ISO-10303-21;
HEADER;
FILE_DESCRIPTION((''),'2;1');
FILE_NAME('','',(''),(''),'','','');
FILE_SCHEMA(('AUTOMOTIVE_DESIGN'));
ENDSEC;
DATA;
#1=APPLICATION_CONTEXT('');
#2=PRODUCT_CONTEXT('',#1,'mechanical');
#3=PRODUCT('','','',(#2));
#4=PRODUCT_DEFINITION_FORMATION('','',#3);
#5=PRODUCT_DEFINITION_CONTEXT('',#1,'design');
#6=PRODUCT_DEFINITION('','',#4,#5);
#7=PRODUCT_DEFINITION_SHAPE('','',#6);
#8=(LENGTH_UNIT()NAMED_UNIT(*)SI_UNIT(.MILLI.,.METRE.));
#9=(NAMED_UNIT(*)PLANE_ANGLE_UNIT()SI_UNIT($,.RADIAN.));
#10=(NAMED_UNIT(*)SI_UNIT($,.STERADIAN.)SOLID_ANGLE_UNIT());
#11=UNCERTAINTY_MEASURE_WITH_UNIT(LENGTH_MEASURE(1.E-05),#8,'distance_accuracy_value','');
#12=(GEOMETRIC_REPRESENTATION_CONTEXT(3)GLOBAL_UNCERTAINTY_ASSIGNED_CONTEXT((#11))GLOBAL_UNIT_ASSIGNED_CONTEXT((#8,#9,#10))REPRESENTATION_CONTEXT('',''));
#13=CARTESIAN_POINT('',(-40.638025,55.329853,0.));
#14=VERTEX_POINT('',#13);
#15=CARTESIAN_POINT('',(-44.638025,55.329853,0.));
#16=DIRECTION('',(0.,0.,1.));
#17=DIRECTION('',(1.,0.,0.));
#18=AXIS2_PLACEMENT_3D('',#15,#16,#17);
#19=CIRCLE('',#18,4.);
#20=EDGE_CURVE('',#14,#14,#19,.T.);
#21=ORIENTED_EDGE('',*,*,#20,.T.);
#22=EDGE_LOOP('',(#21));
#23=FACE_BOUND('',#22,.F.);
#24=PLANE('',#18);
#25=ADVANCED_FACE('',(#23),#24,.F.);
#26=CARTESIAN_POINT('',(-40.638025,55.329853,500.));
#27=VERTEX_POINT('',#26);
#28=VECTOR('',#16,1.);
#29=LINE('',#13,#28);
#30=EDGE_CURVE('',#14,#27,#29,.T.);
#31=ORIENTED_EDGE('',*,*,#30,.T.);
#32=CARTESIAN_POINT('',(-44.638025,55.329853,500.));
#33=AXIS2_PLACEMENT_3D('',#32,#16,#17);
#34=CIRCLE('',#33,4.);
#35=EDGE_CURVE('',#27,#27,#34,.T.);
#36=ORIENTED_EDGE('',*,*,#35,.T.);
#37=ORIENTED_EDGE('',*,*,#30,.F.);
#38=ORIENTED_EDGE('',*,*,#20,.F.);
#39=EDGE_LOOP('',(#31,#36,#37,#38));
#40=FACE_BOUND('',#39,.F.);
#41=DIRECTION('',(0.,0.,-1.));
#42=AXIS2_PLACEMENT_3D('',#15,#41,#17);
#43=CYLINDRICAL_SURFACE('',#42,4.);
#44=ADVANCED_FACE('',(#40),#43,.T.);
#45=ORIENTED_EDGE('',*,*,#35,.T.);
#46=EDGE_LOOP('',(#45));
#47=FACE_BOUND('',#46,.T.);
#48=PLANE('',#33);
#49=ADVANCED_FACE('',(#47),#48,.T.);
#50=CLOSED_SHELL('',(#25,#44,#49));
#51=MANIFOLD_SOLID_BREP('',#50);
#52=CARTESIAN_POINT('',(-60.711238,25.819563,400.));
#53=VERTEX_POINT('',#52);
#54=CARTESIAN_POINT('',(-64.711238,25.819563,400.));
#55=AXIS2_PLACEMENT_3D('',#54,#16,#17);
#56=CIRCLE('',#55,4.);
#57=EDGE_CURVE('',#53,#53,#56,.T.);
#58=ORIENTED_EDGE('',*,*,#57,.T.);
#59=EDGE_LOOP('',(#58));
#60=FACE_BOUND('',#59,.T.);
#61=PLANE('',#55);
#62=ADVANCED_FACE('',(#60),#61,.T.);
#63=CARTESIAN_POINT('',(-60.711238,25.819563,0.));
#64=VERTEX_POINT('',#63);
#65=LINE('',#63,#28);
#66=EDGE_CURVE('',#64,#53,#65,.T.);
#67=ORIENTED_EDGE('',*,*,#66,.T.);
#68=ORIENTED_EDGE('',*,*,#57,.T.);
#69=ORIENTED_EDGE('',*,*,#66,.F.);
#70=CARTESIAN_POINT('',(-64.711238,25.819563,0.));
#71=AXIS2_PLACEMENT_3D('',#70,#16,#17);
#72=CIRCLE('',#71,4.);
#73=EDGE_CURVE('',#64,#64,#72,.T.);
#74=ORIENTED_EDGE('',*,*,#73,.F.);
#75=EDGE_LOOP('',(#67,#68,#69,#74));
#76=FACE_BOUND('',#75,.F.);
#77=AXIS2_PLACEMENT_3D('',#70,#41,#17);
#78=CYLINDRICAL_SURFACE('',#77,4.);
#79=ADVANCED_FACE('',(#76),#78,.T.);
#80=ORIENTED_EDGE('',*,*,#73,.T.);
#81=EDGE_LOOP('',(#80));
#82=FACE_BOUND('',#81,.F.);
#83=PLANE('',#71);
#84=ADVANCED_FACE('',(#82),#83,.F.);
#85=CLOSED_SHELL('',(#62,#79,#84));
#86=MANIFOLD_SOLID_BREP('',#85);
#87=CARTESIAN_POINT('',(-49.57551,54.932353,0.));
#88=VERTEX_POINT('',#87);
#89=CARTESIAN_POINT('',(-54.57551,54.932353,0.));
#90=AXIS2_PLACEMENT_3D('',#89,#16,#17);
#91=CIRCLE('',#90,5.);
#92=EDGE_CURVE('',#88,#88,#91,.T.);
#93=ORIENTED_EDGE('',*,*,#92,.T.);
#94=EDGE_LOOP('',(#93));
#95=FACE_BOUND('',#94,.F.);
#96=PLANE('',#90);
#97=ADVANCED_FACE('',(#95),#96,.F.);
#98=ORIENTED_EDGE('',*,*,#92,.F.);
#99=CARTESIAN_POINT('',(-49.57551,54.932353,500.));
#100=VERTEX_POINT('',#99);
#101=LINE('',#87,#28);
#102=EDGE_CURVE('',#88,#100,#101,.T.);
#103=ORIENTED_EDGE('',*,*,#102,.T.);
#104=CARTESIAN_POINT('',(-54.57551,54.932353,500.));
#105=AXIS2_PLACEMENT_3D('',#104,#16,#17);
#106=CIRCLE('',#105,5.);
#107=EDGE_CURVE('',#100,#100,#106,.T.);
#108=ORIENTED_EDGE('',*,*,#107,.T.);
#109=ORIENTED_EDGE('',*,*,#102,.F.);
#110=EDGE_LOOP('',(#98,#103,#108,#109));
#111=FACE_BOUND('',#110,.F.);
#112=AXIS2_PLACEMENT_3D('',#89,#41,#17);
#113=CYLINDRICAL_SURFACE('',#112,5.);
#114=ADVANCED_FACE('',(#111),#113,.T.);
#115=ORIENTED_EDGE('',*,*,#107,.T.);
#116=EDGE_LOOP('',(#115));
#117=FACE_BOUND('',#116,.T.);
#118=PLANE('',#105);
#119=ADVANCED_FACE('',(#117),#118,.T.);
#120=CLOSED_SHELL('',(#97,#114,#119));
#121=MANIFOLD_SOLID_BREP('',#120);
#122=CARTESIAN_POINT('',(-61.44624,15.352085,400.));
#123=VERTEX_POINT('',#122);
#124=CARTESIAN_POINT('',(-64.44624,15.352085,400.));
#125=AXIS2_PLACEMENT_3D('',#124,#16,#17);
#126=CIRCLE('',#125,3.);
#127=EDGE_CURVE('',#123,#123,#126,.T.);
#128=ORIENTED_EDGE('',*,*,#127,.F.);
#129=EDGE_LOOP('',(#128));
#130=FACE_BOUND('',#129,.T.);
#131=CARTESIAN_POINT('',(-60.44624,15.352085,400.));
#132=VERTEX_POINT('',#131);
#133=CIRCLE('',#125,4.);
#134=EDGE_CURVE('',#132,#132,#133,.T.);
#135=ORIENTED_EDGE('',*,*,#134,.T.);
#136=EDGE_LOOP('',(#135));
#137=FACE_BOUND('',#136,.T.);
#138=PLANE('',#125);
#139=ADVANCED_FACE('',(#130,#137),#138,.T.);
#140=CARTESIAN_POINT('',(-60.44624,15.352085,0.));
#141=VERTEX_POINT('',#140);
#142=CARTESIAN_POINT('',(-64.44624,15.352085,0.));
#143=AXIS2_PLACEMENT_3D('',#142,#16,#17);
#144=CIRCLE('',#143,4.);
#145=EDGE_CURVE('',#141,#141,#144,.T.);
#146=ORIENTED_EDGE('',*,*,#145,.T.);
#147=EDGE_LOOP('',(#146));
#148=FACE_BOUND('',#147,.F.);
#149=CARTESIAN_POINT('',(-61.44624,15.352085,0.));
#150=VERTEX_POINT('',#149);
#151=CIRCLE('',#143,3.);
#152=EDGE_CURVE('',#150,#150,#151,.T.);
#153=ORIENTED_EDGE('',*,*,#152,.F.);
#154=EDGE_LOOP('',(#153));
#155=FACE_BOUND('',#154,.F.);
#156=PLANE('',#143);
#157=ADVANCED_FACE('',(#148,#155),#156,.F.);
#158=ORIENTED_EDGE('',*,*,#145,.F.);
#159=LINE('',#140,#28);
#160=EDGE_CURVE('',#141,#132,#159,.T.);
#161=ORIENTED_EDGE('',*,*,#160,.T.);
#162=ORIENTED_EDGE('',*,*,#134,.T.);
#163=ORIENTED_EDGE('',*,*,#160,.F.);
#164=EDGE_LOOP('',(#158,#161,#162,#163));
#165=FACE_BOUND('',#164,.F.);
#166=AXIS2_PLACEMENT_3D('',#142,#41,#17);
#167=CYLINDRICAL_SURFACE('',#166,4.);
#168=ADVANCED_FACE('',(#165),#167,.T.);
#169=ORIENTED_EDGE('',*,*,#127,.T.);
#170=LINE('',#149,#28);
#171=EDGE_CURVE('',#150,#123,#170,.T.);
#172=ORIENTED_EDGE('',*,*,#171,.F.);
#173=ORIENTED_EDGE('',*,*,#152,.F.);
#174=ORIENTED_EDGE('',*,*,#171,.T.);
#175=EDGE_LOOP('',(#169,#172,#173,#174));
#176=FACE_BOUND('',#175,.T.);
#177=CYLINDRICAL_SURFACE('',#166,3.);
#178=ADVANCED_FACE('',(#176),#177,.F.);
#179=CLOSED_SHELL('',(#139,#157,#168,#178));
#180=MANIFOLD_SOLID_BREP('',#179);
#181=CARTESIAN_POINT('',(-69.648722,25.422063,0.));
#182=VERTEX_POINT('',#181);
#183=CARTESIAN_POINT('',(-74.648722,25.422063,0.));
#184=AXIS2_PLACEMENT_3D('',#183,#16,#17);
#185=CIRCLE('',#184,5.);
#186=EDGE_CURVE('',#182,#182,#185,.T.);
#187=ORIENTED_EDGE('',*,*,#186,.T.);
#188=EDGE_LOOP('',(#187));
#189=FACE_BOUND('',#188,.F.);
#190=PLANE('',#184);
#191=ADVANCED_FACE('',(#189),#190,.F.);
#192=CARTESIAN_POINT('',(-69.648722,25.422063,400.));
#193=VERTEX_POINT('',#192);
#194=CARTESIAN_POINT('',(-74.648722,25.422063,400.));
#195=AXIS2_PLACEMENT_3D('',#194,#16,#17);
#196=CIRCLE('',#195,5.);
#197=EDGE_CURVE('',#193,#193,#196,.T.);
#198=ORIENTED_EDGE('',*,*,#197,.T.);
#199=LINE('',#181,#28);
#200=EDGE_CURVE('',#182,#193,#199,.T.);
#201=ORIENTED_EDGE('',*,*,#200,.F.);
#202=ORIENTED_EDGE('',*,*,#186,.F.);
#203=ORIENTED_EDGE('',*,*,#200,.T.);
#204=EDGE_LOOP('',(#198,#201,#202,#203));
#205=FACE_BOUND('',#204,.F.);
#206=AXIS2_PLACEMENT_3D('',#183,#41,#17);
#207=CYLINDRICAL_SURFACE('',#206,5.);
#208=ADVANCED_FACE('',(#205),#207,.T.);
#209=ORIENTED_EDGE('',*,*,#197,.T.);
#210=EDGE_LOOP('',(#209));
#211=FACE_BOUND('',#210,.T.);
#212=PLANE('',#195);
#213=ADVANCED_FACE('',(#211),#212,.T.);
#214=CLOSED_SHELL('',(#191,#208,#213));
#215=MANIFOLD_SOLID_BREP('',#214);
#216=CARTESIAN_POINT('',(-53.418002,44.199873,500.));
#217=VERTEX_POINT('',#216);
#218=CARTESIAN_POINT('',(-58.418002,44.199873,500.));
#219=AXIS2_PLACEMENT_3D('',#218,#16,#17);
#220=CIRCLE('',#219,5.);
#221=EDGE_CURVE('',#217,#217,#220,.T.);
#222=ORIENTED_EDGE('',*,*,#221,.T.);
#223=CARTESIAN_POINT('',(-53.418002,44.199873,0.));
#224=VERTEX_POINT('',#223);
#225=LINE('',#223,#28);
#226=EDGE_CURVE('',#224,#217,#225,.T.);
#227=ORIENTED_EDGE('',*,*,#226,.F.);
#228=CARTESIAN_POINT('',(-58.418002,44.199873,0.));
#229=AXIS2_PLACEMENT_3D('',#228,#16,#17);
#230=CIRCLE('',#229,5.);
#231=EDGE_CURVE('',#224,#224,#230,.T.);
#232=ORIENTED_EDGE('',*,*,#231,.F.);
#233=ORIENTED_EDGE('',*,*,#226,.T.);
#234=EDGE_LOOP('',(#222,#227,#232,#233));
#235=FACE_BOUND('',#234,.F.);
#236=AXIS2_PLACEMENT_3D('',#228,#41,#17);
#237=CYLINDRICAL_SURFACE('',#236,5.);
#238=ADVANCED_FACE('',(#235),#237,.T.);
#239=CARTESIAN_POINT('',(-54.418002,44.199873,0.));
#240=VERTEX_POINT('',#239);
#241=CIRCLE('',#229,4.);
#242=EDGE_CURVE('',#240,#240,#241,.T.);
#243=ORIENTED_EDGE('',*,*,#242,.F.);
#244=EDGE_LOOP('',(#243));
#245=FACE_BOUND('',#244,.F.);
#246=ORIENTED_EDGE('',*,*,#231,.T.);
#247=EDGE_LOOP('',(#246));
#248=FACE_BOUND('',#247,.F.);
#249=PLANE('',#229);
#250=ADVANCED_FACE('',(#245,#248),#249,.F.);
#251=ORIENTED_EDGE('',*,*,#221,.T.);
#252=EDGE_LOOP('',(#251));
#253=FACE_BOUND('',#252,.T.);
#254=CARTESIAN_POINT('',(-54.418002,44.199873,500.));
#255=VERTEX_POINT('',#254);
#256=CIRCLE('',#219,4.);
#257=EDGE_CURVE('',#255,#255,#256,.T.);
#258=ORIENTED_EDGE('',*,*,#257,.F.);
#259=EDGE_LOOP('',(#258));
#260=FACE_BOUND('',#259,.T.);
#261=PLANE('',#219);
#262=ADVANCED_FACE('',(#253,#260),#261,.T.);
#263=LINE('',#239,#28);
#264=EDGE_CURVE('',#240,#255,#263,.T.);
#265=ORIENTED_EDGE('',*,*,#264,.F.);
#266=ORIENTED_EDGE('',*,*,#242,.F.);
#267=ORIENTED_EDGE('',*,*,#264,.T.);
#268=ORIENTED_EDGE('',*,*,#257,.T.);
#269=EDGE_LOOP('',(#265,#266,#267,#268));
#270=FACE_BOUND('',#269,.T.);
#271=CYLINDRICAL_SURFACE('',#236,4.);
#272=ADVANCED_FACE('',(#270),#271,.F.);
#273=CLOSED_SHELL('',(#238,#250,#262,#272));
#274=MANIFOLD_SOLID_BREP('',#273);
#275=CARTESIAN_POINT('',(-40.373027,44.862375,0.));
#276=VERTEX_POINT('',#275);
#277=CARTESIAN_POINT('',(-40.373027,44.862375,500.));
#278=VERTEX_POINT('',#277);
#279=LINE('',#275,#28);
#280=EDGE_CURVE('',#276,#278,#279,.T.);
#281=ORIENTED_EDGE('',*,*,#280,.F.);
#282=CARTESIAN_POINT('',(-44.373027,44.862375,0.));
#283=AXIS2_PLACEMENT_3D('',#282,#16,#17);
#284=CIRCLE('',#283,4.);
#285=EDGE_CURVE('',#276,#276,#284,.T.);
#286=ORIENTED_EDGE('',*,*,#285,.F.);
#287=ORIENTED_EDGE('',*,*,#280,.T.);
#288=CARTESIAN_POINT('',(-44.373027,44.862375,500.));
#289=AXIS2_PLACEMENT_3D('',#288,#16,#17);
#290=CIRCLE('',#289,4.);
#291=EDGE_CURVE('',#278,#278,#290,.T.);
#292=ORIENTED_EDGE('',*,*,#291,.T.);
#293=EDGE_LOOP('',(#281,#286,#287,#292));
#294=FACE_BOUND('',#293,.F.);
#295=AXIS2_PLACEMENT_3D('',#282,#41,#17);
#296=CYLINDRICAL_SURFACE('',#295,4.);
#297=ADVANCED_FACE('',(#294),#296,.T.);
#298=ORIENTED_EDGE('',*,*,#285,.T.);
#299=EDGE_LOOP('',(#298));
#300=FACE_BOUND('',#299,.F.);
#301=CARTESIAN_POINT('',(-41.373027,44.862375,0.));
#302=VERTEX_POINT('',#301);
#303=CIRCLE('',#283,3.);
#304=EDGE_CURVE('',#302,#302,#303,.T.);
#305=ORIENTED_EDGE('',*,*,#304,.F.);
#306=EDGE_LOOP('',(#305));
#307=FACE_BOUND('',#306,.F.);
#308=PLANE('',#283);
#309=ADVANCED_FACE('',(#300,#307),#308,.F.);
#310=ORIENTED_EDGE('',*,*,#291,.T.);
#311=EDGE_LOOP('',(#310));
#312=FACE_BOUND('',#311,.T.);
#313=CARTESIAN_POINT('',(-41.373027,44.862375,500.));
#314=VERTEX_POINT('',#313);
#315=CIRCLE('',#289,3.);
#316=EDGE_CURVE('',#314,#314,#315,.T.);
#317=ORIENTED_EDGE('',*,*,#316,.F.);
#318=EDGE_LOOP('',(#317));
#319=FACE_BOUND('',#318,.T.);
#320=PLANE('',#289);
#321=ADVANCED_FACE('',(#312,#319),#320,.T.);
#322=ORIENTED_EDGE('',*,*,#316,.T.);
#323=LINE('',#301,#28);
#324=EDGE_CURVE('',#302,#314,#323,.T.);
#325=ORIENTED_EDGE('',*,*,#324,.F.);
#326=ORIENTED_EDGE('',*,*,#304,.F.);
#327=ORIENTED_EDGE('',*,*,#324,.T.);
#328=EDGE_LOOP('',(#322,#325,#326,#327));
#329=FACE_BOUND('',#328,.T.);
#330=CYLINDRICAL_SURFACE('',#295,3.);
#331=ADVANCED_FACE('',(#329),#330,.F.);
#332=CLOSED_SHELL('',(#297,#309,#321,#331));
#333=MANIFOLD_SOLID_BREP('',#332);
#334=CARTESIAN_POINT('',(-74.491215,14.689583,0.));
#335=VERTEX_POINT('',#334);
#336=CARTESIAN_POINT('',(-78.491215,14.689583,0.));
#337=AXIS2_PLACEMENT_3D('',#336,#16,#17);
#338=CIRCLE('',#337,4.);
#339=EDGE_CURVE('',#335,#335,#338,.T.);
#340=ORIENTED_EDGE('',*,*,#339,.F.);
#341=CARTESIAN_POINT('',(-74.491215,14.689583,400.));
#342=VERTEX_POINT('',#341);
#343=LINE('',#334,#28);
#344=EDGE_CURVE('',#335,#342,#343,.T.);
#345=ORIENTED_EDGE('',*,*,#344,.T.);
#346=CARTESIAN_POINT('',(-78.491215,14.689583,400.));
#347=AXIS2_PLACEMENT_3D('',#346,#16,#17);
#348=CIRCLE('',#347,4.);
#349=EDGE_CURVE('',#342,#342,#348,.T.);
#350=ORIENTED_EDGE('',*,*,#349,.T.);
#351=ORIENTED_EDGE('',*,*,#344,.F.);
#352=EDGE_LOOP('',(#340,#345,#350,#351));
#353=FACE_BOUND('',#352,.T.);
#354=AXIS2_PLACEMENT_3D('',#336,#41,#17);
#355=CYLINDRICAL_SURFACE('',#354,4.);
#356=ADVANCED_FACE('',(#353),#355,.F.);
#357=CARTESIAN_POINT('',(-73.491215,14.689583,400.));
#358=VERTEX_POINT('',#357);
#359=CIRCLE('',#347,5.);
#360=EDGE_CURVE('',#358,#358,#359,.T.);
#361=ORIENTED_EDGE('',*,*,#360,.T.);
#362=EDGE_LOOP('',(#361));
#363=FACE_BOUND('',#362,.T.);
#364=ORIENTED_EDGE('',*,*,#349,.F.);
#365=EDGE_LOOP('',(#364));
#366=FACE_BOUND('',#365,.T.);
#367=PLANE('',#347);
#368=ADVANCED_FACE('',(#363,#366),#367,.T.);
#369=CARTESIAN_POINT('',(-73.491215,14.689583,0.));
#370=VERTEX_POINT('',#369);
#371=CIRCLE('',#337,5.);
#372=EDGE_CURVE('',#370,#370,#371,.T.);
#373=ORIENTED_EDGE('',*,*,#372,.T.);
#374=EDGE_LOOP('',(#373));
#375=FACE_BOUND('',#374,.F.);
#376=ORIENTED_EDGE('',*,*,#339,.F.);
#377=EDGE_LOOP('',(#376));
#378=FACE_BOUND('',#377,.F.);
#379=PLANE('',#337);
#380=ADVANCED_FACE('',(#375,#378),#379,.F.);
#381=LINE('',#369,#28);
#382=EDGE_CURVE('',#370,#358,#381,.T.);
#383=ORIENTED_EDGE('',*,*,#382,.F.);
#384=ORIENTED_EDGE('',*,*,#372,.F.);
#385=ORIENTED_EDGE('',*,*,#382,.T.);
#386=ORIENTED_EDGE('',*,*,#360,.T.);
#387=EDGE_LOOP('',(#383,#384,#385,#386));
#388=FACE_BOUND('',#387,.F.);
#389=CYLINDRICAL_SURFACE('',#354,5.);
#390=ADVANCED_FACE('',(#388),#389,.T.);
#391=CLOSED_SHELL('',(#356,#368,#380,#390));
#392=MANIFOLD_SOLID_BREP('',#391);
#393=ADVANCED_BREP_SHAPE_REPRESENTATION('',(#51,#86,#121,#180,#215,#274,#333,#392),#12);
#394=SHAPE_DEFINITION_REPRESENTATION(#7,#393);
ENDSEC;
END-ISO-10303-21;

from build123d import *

# Parameters (mm, degrees)
F0_R     = 5
F0_R_2   = 4
F0_R_3   = 3
F1_DEPTH = 500
F2_R     = 5
F2_R_2   = 4
F2_R_3   = 3
F3_DEPTH = 400


with BuildPart() as f1:
    # F0 (on Top) → F1 (new body)
    with BuildSketch(Plane.XY):
        with Locations((-54.57551, 54.932353)):
            Circle(F0_R)
        with Locations((-44.638025, 55.329853)):
            Circle(F0_R_2)
        with Locations((-58.418002, 44.199873)):
            Circle(F0_R)
        with Locations((-58.418002, 44.199873)):
            Circle(F0_R_2, mode=Mode.SUBTRACT)
        with Locations((-44.373027, 44.862375)):
            Circle(F0_R_2)
        with Locations((-44.373027, 44.862375)):
            Circle(F0_R_3, mode=Mode.SUBTRACT)
    extrude(amount=F1_DEPTH)


with BuildPart() as f3:
    # F2 (on Top) → F3 (new body)
    with BuildSketch(Plane.XY):
        with Locations((-74.648722, 25.422063)):
            Circle(F2_R)
        with Locations((-64.711238, 25.819563)):
            Circle(F2_R_2)
        with Locations((-78.491215, 14.689583)):
            Circle(F2_R)
        with Locations((-78.491215, 14.689583)):
            Circle(F2_R_2, mode=Mode.SUBTRACT)
        with Locations((-64.44624, 15.352085)):
            Circle(F2_R_2)
        with Locations((-64.44624, 15.352085)):
            Circle(F2_R_3, mode=Mode.SUBTRACT)
    extrude(amount=F3_DEPTH)


solid = Compound([f1.part, f3.part])
